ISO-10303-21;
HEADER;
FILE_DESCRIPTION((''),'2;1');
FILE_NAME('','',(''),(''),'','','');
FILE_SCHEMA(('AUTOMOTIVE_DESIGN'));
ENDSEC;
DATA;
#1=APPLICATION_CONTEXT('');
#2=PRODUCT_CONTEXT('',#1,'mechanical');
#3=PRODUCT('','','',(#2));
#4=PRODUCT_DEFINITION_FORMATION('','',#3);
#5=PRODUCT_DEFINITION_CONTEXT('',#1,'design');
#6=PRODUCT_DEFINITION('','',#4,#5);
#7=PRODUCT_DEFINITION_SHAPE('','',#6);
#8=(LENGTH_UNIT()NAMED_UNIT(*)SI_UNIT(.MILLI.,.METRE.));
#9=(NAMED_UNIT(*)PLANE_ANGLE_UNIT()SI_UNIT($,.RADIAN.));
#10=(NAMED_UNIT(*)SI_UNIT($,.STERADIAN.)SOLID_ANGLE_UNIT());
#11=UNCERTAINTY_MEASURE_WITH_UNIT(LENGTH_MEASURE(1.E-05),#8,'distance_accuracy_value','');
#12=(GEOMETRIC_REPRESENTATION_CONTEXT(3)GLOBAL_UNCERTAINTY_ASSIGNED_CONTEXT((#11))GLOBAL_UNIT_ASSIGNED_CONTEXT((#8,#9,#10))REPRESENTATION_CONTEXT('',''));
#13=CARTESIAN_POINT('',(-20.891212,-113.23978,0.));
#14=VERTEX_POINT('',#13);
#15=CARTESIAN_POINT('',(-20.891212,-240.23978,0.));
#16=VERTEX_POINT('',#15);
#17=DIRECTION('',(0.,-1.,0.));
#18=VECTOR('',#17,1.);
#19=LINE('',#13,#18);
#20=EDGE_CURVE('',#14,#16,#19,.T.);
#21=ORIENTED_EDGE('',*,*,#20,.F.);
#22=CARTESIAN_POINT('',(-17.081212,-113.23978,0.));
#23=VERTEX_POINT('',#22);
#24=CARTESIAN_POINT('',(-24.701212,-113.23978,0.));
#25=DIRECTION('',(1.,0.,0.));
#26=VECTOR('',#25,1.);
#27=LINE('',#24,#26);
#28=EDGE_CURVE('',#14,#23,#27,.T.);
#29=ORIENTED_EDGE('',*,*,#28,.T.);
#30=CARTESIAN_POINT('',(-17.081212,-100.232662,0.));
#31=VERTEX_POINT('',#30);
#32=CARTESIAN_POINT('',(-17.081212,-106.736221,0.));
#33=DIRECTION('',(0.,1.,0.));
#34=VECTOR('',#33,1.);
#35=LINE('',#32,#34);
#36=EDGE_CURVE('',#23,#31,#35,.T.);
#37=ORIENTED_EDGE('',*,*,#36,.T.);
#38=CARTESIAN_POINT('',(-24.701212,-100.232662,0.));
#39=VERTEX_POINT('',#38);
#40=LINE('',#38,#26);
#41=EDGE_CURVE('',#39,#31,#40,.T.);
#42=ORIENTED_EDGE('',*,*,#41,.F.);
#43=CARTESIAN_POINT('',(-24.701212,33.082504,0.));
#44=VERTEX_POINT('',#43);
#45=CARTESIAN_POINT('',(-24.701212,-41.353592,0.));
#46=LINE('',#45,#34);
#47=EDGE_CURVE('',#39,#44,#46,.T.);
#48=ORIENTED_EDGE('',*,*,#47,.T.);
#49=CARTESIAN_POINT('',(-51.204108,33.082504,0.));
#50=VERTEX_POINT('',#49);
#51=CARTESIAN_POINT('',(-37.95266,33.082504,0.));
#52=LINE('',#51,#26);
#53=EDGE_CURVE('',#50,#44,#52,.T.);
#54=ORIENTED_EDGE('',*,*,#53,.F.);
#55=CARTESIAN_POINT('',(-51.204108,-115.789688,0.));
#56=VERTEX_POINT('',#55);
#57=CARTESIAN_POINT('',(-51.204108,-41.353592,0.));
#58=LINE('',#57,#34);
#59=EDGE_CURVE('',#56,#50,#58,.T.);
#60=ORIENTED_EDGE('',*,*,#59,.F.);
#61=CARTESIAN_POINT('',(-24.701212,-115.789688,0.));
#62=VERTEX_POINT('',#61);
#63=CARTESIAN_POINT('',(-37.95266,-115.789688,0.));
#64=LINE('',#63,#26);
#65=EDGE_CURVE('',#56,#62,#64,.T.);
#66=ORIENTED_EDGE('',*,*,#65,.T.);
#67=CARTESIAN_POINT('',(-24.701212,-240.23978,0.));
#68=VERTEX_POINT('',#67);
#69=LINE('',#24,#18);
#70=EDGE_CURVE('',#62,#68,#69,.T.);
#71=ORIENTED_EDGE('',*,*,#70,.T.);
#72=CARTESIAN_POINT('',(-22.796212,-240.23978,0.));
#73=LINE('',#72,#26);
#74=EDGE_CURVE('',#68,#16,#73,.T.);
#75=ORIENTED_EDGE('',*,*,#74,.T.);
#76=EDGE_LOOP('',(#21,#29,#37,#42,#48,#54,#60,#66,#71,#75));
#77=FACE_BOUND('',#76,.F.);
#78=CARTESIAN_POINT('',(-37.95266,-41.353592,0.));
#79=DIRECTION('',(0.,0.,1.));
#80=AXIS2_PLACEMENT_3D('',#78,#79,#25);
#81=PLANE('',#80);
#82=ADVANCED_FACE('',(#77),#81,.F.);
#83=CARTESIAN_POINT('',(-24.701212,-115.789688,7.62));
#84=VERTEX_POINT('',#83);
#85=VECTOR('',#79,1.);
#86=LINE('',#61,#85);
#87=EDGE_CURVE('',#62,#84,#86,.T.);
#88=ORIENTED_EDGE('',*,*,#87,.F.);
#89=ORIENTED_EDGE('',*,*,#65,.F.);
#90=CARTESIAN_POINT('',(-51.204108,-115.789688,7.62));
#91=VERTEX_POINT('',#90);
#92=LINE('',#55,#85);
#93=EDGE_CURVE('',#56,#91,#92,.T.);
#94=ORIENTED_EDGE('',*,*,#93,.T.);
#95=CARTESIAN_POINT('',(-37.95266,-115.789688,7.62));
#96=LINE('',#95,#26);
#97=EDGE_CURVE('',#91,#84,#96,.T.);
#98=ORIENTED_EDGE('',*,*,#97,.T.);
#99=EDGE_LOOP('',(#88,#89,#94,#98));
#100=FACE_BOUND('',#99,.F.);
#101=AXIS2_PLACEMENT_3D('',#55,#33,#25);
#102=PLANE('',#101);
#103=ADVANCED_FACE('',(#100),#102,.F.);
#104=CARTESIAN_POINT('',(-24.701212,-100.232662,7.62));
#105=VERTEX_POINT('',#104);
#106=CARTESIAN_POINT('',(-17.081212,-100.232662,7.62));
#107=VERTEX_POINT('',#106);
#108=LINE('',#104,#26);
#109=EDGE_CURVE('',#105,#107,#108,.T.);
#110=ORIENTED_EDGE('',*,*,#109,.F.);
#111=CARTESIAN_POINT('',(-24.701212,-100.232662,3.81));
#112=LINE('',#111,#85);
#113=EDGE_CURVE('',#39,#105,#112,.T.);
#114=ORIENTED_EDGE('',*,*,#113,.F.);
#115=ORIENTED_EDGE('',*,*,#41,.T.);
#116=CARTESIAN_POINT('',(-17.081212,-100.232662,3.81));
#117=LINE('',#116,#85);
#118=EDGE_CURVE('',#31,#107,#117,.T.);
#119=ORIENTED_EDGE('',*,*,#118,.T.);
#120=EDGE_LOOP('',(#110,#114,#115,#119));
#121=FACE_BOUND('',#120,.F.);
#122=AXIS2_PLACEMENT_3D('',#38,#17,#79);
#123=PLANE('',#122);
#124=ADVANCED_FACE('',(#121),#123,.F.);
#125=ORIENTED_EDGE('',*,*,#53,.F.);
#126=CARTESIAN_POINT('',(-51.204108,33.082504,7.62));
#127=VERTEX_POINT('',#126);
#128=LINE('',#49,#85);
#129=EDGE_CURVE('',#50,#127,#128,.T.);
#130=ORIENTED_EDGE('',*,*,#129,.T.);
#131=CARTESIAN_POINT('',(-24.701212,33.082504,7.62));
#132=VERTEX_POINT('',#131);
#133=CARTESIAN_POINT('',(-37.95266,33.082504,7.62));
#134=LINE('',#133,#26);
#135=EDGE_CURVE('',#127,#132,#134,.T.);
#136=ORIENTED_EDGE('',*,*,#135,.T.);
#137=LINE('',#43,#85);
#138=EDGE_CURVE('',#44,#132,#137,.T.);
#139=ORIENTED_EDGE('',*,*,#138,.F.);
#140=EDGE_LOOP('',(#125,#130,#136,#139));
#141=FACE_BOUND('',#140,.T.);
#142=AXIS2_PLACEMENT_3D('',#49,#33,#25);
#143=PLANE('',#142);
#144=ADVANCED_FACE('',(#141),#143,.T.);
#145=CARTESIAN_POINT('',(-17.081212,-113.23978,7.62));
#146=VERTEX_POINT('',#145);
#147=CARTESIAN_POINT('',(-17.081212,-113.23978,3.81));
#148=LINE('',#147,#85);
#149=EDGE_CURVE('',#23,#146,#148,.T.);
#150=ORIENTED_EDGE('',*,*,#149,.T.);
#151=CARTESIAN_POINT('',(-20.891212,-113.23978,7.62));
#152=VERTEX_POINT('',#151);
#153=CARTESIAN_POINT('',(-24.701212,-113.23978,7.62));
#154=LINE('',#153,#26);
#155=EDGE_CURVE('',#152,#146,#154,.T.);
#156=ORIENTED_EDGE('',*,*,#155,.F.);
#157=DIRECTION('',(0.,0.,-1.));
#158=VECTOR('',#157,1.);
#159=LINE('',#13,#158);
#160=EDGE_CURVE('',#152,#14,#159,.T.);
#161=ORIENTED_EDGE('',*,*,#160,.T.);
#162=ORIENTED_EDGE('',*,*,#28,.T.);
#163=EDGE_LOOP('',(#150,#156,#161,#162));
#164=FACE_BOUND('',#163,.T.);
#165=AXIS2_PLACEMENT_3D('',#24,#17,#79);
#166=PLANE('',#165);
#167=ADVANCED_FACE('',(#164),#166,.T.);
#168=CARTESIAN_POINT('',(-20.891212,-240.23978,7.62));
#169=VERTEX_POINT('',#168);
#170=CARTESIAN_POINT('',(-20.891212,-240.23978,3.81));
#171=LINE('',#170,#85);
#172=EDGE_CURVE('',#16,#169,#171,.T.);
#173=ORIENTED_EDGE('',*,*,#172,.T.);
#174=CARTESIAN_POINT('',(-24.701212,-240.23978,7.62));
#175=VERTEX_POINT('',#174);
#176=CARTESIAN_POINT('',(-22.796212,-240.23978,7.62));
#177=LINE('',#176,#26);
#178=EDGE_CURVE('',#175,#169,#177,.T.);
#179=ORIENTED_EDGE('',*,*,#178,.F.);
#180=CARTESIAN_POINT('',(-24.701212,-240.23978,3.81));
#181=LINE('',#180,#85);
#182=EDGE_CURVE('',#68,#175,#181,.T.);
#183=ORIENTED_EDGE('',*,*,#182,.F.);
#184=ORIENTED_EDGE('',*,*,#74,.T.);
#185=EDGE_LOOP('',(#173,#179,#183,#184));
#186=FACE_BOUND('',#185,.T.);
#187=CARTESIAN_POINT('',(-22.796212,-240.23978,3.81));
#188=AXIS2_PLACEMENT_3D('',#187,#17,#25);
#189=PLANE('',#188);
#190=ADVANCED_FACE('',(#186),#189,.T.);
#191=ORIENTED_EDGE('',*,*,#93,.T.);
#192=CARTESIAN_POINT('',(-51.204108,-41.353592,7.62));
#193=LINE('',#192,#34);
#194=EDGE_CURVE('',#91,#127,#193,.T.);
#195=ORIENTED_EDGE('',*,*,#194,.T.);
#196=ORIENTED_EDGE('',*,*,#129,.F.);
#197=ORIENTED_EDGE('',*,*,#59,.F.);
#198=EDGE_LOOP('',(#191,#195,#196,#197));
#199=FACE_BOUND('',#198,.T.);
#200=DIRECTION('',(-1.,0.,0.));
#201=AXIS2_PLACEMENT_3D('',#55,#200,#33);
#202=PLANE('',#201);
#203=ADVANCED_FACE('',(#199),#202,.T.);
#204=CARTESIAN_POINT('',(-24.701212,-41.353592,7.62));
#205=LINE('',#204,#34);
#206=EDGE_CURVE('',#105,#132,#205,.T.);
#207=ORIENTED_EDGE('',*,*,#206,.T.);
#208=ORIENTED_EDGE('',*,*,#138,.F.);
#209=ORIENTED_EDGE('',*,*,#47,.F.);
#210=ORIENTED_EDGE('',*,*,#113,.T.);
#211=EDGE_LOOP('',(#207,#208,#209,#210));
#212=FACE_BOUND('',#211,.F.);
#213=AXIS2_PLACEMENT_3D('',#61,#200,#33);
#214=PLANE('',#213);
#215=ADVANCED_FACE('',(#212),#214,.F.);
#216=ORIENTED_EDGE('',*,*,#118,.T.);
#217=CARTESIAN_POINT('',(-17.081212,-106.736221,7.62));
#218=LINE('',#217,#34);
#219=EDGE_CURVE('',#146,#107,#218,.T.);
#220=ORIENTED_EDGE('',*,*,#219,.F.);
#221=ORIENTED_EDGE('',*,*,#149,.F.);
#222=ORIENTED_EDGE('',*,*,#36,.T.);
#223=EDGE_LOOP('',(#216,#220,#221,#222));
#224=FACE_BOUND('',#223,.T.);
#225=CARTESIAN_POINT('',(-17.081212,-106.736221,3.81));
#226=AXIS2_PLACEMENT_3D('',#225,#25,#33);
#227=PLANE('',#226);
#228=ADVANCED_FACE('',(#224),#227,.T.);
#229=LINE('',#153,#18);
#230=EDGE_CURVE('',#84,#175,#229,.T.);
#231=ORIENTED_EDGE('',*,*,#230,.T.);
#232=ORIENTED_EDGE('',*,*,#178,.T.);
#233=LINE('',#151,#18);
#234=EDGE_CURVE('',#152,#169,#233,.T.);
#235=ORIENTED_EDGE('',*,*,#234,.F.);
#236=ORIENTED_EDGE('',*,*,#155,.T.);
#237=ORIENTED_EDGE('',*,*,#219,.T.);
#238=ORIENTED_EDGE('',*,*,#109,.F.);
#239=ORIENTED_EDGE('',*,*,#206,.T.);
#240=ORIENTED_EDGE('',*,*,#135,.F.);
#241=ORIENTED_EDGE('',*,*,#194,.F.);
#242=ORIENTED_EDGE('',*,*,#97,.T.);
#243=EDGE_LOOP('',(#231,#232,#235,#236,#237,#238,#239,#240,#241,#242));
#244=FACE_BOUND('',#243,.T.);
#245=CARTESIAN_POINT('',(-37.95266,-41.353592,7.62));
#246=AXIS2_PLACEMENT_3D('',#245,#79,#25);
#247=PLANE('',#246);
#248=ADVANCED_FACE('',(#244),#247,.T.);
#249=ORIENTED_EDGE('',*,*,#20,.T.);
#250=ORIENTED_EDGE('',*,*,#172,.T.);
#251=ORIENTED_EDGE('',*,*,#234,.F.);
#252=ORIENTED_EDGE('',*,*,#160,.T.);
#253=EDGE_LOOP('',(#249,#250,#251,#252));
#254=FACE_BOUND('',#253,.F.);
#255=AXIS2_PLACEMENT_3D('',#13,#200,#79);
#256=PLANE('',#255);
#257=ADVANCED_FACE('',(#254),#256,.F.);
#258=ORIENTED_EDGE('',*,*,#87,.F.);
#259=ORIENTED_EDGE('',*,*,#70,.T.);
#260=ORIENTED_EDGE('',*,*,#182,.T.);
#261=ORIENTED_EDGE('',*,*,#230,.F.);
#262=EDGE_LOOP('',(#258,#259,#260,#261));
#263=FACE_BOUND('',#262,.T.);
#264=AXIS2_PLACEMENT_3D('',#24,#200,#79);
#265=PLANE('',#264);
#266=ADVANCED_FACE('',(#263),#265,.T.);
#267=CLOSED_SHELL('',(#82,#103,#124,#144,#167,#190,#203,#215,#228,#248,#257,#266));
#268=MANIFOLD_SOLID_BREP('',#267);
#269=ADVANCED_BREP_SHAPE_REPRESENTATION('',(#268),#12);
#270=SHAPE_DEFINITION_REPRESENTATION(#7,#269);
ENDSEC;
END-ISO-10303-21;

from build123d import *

# Parameters (mm, degrees)
F0_W     = 26.502896
F0_H     = 148.872193
F1_DEPTH = 7.62
F2_W     = 13.007119
F2_H     = 7.62
F3_DEPTH = 7.62
F4_W     = 3.81
F4_H     = 7.62
F5_DEPTH = 127


with BuildPart() as f1:
    # F0 (on Top) → F1 (new body)
    with BuildSketch(Plane.XY):
        with Locations((-37.95266, -41.353592)):
            Rectangle(F0_W, F0_H)
    extrude(amount=F1_DEPTH)

    # F2 (on face) → F3 (join)
    with BuildSketch(Plane.YZ.offset(-24.701212)):
        with Locations((-106.736221, 3.81)):
            Rectangle(F2_W, F2_H)
    extrude(amount=F3_DEPTH)

    # F4 (on face) → F5 (join)
    with BuildSketch(Plane.XZ.offset(113.23978)):
        with Locations((-22.796212, 3.81)):
            Rectangle(F4_W, F4_H)
    extrude(amount=F5_DEPTH)


solid = f1.part
